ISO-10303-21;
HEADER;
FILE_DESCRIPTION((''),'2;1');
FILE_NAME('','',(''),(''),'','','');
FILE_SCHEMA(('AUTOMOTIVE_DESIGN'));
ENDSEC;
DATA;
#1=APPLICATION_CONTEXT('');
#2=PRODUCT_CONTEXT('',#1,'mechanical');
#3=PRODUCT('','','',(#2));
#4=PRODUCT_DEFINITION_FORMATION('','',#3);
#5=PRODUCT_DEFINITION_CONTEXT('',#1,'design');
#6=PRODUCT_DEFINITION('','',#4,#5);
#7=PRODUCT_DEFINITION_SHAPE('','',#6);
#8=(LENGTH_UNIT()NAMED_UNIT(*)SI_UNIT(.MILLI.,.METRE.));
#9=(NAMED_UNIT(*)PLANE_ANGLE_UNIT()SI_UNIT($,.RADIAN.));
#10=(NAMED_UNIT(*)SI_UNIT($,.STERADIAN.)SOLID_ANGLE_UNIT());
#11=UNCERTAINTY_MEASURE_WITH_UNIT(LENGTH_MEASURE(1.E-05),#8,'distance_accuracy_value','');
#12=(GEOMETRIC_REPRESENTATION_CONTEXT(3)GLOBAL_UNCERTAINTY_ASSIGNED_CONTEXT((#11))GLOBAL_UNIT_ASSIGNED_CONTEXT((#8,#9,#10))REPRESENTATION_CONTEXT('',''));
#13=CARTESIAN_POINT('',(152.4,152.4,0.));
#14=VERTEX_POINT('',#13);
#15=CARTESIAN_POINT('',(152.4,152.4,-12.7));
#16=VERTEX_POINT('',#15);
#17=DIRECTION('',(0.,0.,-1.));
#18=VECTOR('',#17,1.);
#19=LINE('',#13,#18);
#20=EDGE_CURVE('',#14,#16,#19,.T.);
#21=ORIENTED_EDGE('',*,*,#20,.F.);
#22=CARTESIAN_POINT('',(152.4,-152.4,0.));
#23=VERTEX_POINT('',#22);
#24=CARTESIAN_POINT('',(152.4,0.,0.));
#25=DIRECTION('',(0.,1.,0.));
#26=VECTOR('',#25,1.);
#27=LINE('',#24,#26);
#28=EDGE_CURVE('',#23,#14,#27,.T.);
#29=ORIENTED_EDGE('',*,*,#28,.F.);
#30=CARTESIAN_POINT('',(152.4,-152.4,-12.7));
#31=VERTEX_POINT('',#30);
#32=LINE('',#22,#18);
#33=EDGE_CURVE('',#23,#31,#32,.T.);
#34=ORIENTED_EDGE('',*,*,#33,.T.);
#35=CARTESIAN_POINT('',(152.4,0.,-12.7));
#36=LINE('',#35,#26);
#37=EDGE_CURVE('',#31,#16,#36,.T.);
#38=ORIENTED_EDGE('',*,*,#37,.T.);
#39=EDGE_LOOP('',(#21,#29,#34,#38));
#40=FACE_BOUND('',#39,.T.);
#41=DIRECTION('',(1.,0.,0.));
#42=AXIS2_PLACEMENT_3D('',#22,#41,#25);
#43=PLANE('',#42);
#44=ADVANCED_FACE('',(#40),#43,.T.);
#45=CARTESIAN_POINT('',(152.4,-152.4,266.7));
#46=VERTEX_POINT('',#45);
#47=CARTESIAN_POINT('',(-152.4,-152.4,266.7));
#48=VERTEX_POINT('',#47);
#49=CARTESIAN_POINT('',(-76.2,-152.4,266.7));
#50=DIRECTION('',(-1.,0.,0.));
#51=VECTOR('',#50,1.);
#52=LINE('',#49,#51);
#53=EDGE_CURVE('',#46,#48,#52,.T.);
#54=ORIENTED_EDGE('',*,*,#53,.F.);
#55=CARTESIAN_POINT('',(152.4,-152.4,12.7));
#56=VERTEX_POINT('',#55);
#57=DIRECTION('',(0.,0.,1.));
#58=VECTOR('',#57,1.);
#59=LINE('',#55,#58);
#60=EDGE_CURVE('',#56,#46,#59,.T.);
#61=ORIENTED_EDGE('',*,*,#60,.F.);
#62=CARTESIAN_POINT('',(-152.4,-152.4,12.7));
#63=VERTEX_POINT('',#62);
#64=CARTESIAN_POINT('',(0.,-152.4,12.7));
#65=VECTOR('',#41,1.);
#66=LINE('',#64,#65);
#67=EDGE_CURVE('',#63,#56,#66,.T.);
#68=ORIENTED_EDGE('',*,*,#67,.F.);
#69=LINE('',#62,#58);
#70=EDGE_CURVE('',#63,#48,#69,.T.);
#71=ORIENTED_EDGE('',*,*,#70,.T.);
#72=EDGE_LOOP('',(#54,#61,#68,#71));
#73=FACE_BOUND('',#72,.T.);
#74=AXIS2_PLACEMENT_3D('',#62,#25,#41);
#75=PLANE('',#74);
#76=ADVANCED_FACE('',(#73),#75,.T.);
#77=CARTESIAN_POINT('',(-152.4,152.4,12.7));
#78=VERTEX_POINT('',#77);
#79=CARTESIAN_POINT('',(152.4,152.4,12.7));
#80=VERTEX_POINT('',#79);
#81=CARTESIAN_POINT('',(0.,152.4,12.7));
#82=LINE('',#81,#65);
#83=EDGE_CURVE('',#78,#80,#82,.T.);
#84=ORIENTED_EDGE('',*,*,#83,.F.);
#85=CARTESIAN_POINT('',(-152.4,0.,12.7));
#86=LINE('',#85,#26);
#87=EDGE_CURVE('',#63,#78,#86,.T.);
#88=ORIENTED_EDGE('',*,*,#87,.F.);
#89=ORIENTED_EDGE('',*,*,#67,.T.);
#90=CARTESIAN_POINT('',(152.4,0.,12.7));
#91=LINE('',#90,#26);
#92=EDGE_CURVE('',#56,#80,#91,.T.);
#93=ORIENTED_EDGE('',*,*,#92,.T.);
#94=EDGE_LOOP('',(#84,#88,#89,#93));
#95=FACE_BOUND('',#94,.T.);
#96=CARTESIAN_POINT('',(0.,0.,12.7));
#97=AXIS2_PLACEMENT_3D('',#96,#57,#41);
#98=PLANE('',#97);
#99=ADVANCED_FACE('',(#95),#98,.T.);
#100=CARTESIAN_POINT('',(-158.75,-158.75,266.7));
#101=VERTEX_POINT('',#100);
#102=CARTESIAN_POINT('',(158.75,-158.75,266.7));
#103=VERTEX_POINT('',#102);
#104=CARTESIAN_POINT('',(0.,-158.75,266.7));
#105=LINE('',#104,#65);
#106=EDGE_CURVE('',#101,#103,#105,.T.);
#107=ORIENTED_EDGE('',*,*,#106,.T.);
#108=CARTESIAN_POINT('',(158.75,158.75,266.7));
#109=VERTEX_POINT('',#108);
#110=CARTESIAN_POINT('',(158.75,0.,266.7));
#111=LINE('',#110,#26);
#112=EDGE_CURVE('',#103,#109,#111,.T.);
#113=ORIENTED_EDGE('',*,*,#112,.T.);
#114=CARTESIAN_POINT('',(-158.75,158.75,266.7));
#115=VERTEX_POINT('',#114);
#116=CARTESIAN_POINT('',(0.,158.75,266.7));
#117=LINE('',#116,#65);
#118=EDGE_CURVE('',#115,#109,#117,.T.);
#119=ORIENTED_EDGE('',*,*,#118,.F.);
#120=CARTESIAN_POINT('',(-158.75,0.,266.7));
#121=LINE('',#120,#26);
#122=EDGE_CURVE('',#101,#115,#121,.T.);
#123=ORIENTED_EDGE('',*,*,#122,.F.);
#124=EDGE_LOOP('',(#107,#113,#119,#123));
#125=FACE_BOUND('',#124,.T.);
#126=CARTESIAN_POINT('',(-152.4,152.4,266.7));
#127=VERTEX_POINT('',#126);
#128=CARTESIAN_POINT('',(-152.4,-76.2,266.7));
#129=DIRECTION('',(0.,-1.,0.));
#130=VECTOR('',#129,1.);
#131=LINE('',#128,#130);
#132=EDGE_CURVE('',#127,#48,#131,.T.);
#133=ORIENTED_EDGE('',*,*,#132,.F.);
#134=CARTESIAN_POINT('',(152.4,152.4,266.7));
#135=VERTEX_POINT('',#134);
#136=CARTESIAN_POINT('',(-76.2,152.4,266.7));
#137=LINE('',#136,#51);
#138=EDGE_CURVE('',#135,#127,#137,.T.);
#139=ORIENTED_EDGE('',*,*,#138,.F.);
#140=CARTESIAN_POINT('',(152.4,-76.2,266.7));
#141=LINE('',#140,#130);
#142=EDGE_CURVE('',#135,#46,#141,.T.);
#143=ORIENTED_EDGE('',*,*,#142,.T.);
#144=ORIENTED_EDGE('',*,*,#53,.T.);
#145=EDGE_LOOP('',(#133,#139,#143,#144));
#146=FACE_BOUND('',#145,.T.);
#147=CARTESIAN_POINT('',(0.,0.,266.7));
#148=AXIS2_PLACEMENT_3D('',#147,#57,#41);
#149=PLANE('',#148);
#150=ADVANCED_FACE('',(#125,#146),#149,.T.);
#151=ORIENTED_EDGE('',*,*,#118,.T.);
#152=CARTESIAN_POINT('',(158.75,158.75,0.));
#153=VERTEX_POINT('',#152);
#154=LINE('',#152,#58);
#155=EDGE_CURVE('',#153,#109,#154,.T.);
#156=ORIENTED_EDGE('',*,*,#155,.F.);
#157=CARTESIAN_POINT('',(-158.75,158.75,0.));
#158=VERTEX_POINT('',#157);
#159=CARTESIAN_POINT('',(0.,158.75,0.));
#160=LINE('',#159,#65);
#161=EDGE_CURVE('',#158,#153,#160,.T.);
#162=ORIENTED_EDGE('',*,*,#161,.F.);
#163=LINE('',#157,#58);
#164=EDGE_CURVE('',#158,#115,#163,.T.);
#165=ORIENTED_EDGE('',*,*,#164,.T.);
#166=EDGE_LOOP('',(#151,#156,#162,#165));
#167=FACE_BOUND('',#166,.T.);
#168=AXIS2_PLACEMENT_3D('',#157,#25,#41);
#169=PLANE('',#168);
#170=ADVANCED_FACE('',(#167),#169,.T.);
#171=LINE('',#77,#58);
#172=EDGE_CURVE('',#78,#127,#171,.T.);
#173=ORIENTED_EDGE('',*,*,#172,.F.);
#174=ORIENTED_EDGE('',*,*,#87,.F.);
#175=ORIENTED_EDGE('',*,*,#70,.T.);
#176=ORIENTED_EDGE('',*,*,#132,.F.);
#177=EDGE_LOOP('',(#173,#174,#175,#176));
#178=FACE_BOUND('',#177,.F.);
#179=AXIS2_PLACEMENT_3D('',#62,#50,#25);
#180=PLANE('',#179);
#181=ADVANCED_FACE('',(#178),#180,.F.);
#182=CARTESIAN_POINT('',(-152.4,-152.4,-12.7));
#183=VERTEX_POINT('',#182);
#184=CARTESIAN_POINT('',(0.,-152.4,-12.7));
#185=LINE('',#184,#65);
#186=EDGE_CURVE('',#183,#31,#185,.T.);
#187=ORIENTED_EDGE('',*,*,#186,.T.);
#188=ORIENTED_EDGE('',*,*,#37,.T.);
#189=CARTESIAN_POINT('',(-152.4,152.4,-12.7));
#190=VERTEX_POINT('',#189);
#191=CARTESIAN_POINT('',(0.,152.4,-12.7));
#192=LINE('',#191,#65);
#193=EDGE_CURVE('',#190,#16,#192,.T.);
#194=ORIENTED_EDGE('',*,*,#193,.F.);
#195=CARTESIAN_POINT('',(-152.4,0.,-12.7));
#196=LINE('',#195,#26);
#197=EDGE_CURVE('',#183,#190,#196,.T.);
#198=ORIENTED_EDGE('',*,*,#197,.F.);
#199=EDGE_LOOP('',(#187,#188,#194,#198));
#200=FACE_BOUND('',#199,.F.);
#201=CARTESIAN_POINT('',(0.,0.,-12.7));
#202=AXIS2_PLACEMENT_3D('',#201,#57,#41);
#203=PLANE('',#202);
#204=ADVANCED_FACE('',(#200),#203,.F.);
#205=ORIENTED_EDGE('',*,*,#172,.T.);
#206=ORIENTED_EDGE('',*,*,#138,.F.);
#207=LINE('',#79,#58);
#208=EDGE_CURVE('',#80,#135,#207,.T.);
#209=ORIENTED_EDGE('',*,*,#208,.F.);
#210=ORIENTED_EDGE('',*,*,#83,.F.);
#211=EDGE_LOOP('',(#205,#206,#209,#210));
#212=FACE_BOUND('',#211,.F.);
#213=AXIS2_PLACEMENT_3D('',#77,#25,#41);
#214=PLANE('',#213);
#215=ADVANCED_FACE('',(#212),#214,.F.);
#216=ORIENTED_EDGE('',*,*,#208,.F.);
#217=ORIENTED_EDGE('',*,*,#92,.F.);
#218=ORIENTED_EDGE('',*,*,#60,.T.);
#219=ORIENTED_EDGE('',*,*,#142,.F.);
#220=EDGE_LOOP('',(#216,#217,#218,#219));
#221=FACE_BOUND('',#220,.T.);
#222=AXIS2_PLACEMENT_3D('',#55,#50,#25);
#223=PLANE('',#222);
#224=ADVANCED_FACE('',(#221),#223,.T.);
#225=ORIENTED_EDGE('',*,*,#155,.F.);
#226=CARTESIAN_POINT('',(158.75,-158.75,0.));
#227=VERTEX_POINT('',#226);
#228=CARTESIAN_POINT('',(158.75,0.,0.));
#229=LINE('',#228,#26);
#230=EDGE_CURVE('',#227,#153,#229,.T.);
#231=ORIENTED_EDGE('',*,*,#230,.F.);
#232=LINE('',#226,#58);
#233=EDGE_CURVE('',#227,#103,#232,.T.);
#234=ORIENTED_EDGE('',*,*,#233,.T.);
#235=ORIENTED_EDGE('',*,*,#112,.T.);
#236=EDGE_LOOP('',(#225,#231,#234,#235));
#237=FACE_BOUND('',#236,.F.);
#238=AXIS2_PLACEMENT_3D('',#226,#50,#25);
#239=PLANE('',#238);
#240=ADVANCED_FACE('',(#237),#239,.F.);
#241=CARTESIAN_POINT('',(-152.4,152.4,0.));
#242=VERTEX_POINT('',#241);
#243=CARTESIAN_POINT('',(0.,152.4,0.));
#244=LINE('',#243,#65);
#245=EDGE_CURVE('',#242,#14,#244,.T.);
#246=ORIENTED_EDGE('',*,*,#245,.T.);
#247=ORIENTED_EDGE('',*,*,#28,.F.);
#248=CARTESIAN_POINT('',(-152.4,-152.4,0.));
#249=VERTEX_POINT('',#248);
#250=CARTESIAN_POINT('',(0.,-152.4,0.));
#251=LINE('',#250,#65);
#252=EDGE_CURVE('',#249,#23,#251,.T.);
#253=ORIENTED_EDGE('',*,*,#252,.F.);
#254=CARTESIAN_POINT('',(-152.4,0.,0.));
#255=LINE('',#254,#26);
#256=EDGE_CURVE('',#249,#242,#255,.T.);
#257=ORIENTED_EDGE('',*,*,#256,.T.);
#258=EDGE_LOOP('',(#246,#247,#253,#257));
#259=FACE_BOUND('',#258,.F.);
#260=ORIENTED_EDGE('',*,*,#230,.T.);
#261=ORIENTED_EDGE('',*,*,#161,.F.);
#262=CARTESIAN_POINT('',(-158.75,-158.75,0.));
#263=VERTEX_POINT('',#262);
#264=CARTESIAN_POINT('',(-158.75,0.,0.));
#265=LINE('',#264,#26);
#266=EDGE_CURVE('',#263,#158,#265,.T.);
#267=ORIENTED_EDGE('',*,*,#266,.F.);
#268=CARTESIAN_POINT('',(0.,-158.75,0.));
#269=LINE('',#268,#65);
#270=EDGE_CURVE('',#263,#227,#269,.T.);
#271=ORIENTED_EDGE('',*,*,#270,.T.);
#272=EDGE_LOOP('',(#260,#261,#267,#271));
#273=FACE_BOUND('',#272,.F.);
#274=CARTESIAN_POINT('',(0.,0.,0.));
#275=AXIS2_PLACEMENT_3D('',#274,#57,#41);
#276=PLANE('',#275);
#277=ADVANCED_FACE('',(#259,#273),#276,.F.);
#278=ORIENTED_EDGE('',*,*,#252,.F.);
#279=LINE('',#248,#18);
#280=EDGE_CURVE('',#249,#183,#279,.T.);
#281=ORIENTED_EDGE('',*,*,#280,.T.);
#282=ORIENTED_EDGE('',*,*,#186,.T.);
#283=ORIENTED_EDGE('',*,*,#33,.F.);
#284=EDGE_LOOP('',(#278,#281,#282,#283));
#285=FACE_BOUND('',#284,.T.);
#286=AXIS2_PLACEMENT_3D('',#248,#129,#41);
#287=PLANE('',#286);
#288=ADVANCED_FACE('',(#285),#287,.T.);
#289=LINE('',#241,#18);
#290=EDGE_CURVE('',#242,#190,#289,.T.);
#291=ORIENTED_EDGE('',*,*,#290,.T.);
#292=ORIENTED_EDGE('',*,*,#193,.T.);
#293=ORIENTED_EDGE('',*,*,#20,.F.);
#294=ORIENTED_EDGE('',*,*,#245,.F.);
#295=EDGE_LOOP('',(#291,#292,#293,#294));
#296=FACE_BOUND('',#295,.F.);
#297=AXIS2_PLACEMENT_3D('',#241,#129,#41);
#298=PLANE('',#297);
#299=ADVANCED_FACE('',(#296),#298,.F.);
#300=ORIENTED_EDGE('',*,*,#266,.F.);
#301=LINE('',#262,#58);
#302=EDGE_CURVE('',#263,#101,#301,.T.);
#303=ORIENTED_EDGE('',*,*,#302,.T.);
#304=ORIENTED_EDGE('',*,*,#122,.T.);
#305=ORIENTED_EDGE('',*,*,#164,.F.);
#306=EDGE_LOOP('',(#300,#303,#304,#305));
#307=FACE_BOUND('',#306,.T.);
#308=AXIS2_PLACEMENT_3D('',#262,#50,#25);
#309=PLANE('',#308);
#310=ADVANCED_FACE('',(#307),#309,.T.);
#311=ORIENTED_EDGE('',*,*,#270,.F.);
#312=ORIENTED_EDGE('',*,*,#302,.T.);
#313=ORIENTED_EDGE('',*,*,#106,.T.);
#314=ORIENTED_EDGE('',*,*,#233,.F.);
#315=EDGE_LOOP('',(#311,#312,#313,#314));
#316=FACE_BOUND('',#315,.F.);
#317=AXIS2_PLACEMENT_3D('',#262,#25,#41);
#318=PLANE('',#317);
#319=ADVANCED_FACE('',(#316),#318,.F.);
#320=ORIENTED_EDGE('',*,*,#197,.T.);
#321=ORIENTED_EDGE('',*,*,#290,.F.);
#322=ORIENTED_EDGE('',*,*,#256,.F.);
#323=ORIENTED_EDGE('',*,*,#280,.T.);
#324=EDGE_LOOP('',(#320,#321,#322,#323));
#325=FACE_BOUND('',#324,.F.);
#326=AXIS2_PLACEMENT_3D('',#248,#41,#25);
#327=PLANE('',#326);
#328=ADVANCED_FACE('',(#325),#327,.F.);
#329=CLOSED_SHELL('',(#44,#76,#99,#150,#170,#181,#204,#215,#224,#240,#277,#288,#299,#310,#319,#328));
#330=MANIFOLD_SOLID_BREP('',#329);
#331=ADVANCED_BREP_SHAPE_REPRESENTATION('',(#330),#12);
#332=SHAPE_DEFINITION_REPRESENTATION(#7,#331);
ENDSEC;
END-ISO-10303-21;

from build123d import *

# Parameters (mm, degrees)
SKETCH001_W  = 317.5
SKETCH001_H  = 317.5
PAD001_DEPTH = 266.7
SKETCH_W     = 304.8
SKETCH_H     = 304.8
POCKET_DEPTH = 254.001
SKETCH002_W  = 304.8
SKETCH002_H  = 304.8
PAD_DEPTH    = 12.7


with BuildPart() as part:
    # Sketch001 → Pad001 (new body)
    with BuildSketch(Plane.XY):
        Rectangle(SKETCH001_W, SKETCH001_H)
    extrude(amount=PAD001_DEPTH)

    # Sketch → Pocket (cut, through all)
    with BuildSketch(Plane.XY.offset(12.7)):
        Rectangle(SKETCH_W, SKETCH_H)
    extrude(amount=POCKET_DEPTH, mode=Mode.SUBTRACT)

    # Sketch002 → Pad (join)
    with BuildSketch(Plane.XY):
        Rectangle(SKETCH002_W, SKETCH002_H)
    extrude(amount=-PAD_DEPTH)


solid = part.part
